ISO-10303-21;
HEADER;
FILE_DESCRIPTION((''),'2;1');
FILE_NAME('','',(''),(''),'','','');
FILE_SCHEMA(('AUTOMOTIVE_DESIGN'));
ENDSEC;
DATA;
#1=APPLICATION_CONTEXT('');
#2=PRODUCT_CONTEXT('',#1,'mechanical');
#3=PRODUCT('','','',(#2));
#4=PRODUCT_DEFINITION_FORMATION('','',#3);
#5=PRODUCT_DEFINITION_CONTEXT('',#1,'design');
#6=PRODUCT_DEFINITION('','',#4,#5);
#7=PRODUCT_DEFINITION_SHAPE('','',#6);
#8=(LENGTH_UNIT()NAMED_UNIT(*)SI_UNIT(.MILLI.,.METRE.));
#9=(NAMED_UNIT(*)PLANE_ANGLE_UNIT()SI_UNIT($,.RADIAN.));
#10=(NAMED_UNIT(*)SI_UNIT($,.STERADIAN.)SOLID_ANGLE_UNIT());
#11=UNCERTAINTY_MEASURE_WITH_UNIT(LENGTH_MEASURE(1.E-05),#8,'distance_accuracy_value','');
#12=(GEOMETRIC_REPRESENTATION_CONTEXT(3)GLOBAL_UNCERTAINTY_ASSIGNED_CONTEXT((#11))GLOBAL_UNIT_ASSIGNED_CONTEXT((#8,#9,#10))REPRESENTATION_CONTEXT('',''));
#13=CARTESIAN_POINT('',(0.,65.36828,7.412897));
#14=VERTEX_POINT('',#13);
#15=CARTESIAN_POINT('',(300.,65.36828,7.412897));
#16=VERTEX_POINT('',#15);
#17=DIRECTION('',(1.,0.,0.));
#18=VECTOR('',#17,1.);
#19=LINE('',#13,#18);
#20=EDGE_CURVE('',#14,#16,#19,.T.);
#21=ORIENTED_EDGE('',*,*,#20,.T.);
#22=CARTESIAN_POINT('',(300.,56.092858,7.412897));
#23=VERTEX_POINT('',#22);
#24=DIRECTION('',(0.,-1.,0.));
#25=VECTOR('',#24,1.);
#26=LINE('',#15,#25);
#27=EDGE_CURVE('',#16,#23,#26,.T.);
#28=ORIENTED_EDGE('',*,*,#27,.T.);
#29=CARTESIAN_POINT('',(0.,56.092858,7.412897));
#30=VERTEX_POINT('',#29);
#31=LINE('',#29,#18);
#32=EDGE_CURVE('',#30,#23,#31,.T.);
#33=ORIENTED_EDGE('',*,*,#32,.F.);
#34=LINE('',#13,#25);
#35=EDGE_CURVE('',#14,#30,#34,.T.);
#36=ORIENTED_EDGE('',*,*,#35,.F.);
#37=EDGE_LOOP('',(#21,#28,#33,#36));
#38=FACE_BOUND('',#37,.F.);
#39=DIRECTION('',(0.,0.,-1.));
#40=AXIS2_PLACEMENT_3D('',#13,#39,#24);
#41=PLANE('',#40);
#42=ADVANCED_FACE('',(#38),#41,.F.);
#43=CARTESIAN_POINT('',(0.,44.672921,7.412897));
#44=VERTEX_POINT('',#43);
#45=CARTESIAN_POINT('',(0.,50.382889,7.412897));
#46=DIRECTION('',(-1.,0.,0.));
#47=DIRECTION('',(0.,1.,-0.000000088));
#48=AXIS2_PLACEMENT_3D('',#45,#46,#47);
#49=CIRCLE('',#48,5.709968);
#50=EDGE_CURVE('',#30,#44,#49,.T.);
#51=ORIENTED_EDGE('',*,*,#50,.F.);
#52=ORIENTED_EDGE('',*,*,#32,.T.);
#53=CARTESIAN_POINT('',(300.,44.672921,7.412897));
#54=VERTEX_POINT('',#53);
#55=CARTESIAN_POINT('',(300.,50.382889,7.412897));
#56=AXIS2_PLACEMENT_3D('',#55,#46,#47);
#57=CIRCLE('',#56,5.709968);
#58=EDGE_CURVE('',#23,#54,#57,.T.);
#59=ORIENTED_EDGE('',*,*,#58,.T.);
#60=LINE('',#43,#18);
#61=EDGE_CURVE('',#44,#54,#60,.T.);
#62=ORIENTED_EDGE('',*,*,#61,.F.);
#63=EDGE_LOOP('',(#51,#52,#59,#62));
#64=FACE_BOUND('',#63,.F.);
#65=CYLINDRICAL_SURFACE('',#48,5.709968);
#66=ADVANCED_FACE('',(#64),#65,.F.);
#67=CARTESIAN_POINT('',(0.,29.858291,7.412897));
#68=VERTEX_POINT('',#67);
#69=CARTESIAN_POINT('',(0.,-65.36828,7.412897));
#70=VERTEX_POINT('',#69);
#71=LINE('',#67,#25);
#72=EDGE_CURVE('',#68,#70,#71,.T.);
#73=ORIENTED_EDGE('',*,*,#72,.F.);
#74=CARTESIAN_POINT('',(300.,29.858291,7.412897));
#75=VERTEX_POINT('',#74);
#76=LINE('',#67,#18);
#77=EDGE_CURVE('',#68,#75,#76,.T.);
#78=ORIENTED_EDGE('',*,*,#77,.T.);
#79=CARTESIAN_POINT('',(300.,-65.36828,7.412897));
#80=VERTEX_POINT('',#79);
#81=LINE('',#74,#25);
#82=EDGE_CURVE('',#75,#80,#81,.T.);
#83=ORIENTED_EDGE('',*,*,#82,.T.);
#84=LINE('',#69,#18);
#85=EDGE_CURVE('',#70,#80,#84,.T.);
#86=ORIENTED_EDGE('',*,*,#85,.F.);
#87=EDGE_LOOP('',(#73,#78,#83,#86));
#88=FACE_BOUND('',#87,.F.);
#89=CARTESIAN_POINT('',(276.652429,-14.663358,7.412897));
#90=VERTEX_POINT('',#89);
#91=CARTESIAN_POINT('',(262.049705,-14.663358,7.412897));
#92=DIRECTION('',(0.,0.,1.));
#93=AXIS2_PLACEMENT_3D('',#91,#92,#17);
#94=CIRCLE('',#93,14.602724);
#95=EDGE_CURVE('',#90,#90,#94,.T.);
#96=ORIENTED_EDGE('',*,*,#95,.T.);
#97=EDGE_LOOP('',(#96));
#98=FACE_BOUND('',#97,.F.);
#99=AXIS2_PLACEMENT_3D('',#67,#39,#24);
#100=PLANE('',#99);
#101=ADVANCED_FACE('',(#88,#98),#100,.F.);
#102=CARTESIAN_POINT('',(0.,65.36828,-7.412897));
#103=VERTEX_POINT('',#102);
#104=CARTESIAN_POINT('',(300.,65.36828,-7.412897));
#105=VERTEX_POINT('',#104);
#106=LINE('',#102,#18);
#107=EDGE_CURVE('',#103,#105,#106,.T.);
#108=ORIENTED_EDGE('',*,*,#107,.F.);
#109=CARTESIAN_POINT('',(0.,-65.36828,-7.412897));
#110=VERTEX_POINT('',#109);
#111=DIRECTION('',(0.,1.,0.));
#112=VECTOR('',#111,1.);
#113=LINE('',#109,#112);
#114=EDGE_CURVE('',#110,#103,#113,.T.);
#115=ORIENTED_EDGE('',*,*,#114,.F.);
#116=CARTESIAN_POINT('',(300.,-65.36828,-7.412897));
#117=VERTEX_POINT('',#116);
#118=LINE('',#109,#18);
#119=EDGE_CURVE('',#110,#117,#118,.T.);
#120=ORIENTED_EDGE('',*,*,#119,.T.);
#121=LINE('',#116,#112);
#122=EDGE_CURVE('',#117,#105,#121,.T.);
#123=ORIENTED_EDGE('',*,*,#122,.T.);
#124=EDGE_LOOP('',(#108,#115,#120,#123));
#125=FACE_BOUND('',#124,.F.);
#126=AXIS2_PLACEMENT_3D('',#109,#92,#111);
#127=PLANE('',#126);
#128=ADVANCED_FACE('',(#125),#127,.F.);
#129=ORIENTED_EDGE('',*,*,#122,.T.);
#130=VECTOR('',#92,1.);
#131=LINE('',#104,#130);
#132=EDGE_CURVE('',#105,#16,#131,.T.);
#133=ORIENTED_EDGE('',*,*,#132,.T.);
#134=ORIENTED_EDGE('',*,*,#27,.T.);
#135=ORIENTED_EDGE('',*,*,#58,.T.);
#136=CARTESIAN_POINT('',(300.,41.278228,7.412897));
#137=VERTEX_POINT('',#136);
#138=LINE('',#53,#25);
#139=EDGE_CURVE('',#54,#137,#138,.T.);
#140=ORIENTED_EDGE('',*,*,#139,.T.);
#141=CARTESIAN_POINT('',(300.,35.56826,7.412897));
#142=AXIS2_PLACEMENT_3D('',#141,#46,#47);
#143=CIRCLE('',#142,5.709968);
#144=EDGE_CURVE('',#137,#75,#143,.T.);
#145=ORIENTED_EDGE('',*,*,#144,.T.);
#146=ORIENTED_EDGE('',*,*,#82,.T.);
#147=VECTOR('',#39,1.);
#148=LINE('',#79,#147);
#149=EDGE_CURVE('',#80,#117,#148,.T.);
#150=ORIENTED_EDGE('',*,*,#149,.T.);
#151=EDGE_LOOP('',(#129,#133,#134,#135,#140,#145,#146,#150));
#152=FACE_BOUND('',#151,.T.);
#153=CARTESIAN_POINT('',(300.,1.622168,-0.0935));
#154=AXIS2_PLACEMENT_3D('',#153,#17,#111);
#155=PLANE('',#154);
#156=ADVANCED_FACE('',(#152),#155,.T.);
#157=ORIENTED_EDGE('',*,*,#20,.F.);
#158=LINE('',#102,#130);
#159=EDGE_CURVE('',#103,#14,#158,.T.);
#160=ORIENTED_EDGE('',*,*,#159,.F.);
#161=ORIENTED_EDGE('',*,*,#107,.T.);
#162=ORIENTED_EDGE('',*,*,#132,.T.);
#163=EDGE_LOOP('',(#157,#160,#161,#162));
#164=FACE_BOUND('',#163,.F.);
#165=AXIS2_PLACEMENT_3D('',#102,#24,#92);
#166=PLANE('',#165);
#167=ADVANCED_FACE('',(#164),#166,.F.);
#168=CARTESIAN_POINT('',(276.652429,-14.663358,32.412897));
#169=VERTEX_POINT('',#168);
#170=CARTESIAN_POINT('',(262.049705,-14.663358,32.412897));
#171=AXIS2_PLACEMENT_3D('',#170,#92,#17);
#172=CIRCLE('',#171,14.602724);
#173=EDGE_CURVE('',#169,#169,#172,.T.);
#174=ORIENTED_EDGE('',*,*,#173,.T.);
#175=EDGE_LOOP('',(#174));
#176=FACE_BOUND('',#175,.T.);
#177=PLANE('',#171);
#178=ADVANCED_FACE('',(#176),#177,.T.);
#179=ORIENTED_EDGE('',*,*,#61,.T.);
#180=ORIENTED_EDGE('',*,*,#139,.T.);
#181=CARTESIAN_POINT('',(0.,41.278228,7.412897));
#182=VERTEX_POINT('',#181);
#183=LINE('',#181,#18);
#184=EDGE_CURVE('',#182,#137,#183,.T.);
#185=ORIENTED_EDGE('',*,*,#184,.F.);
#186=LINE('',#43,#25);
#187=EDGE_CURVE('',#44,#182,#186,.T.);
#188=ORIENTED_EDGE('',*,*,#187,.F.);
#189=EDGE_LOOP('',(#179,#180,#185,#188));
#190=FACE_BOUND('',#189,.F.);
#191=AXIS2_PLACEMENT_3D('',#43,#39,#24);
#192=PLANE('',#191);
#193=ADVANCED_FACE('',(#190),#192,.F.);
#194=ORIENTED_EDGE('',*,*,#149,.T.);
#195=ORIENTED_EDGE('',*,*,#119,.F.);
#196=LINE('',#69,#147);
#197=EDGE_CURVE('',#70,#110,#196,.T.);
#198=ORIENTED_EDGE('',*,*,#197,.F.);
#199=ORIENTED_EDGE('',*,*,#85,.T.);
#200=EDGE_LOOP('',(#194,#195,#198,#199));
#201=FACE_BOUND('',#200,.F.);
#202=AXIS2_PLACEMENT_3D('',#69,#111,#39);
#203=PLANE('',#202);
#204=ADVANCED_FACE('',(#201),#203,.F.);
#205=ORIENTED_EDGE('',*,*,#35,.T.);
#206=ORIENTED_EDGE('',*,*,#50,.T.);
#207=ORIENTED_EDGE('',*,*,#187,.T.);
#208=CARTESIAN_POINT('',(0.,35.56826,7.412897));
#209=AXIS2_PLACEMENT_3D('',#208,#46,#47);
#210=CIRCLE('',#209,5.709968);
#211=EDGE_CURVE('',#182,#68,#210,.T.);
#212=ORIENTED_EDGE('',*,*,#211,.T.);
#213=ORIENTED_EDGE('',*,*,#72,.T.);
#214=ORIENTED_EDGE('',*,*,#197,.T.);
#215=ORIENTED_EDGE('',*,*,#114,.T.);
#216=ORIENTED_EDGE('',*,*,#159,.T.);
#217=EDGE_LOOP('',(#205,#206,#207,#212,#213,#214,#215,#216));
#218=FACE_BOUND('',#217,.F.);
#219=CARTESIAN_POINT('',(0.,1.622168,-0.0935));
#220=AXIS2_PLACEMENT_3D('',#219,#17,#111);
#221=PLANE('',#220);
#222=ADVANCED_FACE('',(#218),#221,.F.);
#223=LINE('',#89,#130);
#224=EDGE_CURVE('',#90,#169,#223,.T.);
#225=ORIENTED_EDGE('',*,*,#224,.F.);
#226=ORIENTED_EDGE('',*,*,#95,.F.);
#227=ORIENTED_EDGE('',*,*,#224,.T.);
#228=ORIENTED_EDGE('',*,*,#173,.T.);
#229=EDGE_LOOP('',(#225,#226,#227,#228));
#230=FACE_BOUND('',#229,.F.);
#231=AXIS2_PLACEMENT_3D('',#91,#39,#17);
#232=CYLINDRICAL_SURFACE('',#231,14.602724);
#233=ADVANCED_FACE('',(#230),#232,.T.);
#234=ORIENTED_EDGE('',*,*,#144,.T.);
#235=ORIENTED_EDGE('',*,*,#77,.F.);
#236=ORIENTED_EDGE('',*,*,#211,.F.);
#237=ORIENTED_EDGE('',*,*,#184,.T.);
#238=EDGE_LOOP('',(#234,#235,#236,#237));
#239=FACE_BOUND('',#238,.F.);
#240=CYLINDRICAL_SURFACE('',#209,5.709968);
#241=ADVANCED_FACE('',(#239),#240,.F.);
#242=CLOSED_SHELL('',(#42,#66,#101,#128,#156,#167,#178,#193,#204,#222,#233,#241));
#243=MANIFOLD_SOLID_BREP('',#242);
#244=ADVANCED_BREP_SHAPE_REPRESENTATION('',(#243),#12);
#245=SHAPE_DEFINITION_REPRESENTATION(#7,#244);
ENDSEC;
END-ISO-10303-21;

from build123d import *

# Parameters (mm, degrees)
F1_DEPTH = 300
F2_R     = 14.602724
F3_DEPTH = 25


with BuildPart() as f1:
    # F0 (on Right) → F1 (new body)
    with BuildSketch(Plane.YZ):
        with BuildLine():
            Line((29.858291, 7.412897), (-65.36828, 7.412897))
            Line((-65.36828, 7.412897), (-65.36828, -7.412897))
            Line((-65.36828, -7.412897), (65.36828, -7.412897))
            Line((65.36828, -7.412897), (65.36828, 7.412897))
            Line((65.36828, 7.412897), (56.092858, 7.412897))
            ThreePointArc((56.092858, 7.412897), (50.38289, 1.702929), (44.672921, 7.412897))
            Line((44.672921, 7.412897), (41.278228, 7.412897))
            ThreePointArc((41.278228, 7.412897), (35.56826, 1.702929), (29.858291, 7.412897))
        make_face()
    extrude(amount=F1_DEPTH)

    # F2 (on face) → F3 (join)
    with BuildSketch(Plane.XY.offset(7.412897)):
        with Locations((262.049705, -14.663358)):
            Circle(F2_R)
    extrude(amount=F3_DEPTH)


solid = f1.part
